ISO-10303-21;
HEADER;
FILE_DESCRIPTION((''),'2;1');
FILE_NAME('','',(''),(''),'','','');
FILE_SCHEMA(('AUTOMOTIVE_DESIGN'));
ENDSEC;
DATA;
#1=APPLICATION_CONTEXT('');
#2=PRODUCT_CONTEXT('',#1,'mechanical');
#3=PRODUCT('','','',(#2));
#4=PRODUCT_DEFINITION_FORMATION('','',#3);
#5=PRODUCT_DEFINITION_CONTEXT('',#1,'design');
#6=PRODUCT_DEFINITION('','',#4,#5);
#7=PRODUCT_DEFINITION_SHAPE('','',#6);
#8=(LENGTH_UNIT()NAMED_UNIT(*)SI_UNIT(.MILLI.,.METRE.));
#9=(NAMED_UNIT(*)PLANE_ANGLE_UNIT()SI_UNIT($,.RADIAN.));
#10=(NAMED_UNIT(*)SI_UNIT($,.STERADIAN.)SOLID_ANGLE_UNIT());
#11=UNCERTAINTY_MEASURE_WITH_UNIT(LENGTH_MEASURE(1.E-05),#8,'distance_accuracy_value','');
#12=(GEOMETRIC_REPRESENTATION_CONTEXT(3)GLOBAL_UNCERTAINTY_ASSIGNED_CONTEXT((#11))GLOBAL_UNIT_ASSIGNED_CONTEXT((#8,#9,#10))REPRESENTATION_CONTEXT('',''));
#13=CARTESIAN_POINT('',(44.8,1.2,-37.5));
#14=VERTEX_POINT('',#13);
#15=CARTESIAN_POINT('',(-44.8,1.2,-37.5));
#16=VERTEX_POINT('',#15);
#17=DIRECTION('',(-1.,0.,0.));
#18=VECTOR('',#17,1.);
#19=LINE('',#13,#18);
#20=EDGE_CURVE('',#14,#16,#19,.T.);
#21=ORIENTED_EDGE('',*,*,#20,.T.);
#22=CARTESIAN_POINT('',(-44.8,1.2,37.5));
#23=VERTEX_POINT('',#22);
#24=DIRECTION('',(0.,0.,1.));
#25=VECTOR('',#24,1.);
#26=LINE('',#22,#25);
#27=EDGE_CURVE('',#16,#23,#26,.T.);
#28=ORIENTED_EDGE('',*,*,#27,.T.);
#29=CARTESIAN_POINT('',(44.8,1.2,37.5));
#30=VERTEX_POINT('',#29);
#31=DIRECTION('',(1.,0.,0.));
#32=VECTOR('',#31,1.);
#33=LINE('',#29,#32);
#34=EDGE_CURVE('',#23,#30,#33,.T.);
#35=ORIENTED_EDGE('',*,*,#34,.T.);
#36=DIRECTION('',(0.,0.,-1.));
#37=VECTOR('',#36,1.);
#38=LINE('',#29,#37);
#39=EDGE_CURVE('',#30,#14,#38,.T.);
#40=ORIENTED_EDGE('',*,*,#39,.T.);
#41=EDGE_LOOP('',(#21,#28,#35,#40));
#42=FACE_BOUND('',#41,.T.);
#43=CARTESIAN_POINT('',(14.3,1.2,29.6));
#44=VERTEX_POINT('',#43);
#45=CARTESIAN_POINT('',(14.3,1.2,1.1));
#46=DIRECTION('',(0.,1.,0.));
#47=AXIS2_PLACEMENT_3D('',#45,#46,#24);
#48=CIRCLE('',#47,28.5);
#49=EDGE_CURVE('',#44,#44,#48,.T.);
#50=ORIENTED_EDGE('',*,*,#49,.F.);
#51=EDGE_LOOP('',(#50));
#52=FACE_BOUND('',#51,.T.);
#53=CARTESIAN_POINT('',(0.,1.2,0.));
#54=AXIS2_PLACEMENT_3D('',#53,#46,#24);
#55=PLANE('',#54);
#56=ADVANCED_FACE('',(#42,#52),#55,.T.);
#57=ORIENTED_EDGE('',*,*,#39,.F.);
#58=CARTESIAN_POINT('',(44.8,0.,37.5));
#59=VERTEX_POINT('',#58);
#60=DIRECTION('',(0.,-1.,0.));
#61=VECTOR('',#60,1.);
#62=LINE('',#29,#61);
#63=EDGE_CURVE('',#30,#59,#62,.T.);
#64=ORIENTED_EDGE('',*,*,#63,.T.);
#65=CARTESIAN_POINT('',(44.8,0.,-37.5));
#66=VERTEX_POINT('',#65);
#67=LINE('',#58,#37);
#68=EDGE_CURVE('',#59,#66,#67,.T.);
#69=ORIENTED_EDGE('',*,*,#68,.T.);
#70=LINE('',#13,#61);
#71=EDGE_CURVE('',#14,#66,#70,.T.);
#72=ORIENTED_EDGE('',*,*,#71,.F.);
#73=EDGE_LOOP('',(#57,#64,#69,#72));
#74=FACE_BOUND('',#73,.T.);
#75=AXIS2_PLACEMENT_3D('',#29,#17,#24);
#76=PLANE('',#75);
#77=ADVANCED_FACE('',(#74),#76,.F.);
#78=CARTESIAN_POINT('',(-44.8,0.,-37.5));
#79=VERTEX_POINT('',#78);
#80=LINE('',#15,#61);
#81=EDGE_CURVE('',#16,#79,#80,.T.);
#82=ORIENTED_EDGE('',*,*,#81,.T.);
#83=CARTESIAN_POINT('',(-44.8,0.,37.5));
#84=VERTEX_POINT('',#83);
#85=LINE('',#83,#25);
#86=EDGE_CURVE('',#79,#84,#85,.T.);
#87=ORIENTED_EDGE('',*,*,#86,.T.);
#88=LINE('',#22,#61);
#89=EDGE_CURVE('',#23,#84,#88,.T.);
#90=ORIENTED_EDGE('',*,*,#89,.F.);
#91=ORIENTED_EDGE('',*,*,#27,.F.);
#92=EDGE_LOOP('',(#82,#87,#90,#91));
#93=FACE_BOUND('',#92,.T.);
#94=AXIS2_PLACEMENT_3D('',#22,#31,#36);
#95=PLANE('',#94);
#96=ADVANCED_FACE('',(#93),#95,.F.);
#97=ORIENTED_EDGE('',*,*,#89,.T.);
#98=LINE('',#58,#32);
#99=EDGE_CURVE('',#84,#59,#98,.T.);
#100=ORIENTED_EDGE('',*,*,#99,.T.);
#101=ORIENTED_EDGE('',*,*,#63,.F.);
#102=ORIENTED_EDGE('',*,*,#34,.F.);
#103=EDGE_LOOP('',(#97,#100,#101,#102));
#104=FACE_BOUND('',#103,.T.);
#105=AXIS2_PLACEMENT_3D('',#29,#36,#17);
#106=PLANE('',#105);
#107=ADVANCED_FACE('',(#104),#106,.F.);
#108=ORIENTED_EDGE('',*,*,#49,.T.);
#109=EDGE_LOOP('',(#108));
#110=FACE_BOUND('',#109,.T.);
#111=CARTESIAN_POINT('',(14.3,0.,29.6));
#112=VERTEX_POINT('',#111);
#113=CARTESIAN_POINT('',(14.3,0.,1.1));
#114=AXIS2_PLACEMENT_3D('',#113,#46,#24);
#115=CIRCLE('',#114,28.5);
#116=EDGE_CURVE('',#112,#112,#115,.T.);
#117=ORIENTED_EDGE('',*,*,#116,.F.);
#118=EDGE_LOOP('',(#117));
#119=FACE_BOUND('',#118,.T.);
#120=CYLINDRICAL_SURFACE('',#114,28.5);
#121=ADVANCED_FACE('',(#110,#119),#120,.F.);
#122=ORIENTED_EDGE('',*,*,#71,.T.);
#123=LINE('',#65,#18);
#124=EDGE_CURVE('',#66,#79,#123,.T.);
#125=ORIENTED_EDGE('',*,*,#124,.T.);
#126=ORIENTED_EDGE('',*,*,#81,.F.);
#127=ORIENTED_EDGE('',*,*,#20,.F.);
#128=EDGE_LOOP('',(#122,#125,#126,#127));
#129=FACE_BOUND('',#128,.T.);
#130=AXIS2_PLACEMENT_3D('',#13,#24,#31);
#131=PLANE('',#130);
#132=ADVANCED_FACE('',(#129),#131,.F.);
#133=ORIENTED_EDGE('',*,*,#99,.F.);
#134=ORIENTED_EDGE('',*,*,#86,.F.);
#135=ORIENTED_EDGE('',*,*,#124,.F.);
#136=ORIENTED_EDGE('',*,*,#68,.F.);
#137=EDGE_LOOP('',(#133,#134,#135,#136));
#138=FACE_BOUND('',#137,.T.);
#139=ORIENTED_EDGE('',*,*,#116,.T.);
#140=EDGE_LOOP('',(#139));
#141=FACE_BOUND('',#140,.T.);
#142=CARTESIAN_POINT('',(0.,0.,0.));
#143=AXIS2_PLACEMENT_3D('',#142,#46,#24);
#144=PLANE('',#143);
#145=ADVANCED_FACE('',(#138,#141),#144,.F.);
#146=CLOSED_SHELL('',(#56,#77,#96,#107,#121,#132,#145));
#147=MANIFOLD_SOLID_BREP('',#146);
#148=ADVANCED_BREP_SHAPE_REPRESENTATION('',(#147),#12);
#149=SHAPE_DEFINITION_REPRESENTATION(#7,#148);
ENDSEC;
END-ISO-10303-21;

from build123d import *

# Parameters (mm, degrees)
SKETCH1_W               = 89.6
SKETCH1_H               = 75
BOSS_EXTRUDE1_DEPTH     = 1.2
SKETCH2_R               = 28.5
CUT_EXTRUDE1_DEPTH      = 1
CUT_EXTRUDE1_DEPTH_BACK = 2.2


with BuildPart() as part:
    # Sketch1 → Boss-Extrude1 (new body)
    with BuildSketch(Plane(origin=(0, 0, 0), x_dir=(1, 0, 0), z_dir=(0, 1, 0))):
        Rectangle(SKETCH1_W, SKETCH1_H)
    extrude(amount=BOSS_EXTRUDE1_DEPTH)

    # Sketch2 → Cut-Extrude1 (cut, two sides)
    with BuildSketch(Plane(origin=(0, 1.2, 0), x_dir=(1, 0, 0), z_dir=(0, 1, 0))) as cut_extrude1_sk:
        with Locations((14.3, -1.1)):
            Circle(SKETCH2_R)
    extrude(amount=CUT_EXTRUDE1_DEPTH, mode=Mode.SUBTRACT)
    extrude(cut_extrude1_sk.sketch, amount=-CUT_EXTRUDE1_DEPTH_BACK, mode=Mode.SUBTRACT)


solid = part.part
